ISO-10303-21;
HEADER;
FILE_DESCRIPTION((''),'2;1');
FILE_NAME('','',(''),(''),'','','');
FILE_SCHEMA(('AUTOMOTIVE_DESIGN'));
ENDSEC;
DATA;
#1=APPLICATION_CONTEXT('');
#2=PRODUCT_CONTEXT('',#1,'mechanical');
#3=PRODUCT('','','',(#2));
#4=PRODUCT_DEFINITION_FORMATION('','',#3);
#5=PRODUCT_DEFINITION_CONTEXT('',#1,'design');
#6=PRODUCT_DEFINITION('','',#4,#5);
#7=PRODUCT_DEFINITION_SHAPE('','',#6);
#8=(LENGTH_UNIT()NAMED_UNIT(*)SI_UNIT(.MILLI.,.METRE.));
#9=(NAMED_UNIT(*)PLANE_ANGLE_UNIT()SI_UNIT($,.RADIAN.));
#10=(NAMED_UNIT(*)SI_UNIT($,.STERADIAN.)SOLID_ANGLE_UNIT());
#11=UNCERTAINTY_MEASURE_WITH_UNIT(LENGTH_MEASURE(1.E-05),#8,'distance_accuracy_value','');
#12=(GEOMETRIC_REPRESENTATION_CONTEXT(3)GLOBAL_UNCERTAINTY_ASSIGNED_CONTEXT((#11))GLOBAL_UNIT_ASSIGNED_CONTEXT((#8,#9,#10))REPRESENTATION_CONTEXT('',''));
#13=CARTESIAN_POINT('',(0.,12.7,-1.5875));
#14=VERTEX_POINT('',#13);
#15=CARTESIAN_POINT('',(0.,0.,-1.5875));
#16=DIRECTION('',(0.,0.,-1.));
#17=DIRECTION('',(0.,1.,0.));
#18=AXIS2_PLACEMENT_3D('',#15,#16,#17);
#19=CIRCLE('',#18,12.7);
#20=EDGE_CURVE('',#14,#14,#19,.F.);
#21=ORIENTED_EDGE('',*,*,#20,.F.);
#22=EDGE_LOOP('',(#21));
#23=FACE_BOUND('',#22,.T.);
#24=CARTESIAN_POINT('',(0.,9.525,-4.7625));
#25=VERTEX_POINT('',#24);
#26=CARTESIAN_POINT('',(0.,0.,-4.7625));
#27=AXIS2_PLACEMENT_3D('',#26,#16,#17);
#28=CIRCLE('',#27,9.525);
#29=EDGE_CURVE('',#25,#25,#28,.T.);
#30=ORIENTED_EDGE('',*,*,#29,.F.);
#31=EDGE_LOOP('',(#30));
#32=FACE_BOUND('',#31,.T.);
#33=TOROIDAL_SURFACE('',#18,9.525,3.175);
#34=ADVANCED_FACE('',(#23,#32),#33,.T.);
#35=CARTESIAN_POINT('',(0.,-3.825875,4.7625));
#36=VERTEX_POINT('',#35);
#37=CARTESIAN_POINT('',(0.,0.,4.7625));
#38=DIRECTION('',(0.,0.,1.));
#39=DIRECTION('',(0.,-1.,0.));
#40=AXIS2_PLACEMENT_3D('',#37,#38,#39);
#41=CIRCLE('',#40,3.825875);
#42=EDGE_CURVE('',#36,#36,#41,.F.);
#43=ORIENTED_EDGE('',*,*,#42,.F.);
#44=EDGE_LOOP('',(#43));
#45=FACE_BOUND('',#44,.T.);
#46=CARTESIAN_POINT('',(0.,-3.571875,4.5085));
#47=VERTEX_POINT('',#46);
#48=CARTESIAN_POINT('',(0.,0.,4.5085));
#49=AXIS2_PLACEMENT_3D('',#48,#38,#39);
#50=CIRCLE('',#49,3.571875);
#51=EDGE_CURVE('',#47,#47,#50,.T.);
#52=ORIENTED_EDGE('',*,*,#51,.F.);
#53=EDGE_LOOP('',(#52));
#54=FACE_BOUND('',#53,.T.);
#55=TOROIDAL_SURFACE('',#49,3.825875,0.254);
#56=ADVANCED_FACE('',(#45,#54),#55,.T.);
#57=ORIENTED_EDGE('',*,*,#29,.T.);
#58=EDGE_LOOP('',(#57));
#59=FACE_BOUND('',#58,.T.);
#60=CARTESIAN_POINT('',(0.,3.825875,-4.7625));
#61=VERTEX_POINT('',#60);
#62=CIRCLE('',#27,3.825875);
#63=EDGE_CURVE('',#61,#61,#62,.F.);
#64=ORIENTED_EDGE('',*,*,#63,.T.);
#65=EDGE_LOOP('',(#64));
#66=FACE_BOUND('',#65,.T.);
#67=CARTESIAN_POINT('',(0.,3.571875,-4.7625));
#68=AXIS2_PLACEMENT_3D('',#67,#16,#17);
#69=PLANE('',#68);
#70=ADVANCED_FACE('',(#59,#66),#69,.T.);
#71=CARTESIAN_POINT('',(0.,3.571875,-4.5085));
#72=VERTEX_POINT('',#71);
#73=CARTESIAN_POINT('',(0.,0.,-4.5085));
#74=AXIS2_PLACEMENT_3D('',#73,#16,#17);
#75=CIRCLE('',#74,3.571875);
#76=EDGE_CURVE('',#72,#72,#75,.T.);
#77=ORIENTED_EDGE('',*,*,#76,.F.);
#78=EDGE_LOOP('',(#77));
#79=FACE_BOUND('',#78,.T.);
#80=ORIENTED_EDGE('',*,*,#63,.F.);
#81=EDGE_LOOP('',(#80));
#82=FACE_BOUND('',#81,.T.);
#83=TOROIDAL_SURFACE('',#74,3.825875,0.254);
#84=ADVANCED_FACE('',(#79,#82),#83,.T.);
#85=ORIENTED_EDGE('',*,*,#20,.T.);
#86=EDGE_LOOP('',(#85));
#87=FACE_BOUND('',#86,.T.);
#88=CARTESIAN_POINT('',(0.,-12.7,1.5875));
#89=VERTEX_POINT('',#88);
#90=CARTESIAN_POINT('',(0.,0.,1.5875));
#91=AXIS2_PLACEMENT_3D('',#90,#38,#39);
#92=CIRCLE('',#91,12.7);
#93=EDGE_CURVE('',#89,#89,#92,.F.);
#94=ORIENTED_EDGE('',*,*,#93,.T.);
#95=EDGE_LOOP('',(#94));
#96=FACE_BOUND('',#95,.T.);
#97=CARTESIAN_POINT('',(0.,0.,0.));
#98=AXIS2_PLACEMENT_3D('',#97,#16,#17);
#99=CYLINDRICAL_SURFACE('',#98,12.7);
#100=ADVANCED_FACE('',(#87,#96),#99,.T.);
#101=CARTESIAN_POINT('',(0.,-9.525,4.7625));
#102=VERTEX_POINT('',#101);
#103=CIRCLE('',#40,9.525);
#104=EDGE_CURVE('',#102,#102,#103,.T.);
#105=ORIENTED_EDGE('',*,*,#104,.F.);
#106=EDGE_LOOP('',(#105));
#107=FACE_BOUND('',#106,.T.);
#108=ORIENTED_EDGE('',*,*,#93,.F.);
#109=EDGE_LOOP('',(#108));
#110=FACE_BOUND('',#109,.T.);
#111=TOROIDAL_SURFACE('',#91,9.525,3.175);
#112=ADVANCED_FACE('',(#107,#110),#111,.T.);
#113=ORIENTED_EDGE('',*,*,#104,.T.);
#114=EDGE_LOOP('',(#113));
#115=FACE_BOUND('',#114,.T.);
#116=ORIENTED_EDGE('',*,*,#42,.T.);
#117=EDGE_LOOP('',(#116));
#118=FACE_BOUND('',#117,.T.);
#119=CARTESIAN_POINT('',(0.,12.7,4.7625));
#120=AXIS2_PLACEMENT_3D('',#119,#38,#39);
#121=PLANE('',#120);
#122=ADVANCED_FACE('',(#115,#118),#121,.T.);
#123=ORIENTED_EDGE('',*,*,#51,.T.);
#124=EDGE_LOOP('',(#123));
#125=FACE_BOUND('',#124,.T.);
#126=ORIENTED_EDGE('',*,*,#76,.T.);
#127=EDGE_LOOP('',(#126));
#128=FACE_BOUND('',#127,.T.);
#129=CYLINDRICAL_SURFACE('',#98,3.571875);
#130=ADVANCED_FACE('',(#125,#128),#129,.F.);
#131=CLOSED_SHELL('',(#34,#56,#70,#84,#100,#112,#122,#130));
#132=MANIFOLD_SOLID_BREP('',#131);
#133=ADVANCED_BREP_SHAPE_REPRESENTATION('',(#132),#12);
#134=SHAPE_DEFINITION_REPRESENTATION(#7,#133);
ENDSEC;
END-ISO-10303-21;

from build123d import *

# Parameters (mm, degrees)
SKETCH1_W = 9.525
SKETCH1_H = 9.128125
FILLET1_R = 3.175
FILLET2_R = 0.254


with BuildPart() as part:
    # Sketch1 → Revolve1 (revolve)
    with BuildSketch(Plane(origin=(0, 0, 0), x_dir=(0, 0, -1), z_dir=(1, 0, 0))):
        with Locations((0, 8.1359375)):
            Rectangle(SKETCH1_W, SKETCH1_H)
    revolve(axis=Axis((0, 0, 0), (0, 0, 1)))

    # Fillet1
    fillet1_edges = [part.edges().sort_by_distance(p)[0] for p in [
        (0, -12.7, 4.7625),
        (0, -12.7, -4.7625),
    ]]
    fillet(fillet1_edges, radius=FILLET1_R)

    # Fillet2
    fillet2_edges = [part.edges().sort_by_distance(p)[0] for p in [
        (0, -3.571875, -4.7625),
        (0, -3.571875, 4.7625),
    ]]
    fillet(fillet2_edges, radius=FILLET2_R)


solid = part.part
